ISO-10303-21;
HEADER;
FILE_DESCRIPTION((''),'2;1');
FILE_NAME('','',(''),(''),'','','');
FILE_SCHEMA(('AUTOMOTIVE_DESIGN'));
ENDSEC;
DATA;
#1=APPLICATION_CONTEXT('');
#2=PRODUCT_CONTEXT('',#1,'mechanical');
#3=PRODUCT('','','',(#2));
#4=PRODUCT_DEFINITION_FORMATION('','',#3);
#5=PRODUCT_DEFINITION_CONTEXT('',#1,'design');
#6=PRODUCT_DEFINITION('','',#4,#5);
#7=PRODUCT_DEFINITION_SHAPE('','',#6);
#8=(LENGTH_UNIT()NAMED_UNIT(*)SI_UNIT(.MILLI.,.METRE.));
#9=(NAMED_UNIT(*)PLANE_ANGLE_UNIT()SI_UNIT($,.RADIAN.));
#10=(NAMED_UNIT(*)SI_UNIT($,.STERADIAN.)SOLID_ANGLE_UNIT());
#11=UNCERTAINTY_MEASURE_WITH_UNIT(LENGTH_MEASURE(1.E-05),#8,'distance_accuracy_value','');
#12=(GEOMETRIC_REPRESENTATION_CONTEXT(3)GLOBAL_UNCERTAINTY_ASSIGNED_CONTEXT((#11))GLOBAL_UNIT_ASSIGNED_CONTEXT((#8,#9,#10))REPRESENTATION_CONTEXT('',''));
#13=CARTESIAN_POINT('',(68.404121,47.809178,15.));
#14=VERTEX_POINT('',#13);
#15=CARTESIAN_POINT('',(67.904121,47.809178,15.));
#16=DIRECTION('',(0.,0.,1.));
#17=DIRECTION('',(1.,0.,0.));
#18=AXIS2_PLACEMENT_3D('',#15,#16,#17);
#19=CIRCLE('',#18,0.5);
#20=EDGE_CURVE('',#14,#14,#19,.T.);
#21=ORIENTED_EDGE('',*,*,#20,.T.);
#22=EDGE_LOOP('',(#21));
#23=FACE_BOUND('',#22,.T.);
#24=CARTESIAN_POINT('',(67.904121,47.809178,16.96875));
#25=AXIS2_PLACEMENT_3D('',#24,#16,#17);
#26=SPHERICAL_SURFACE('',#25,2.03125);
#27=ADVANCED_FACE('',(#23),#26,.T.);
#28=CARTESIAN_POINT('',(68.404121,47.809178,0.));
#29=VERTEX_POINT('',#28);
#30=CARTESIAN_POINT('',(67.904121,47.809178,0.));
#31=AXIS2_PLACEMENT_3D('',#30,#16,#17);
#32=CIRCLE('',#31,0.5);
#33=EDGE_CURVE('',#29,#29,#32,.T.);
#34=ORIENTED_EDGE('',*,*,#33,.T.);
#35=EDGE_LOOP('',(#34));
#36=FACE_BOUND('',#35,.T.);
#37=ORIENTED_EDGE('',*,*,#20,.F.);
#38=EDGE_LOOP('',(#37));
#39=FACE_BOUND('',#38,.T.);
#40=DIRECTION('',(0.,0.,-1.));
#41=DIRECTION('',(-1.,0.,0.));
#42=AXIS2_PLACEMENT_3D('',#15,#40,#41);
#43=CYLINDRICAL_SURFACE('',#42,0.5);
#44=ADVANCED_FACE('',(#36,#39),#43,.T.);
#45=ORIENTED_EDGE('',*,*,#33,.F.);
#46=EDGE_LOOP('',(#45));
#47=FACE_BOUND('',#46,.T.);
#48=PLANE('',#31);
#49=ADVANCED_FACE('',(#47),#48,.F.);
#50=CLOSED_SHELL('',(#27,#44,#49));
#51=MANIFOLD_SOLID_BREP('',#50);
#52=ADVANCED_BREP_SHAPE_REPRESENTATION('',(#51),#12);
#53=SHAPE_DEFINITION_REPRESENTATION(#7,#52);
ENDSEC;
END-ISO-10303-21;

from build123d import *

# Parameters (mm, degrees)
SKETCH1_R           = 0.5
BOSS_EXTRUDE1_DEPTH = 15
DOME1_FACE_RADIUS   = 0.5
DOME1_HEIGHT        = 4


with BuildPart() as part:
    # Sketch1 → Boss-Extrude1 (new body)
    with BuildSketch(Plane.XY):
        with Locations((67.904121243, 47.809178282)):
            Circle(SKETCH1_R)
    extrude(amount=BOSS_EXTRUDE1_DEPTH)

    # Dome1: a dome of height H over a round flat face of radius A is a cap of a sphere of radius (A * A + H * H) / (2 * H)
    dome1_r = (DOME1_FACE_RADIUS * DOME1_FACE_RADIUS + DOME1_HEIGHT * DOME1_HEIGHT) / (2 * DOME1_HEIGHT)
    dome1_base = Plane((67.904121243, 47.809178282, 15), z_dir=(0, 0, 1))
    with Locations(dome1_base.offset(DOME1_HEIGHT - dome1_r)):
        dome1_ball = Sphere(dome1_r, mode=Mode.PRIVATE)
    add(split(dome1_ball, bisect_by=dome1_base, keep=Keep.TOP, mode=Mode.PRIVATE))


solid = part.part
